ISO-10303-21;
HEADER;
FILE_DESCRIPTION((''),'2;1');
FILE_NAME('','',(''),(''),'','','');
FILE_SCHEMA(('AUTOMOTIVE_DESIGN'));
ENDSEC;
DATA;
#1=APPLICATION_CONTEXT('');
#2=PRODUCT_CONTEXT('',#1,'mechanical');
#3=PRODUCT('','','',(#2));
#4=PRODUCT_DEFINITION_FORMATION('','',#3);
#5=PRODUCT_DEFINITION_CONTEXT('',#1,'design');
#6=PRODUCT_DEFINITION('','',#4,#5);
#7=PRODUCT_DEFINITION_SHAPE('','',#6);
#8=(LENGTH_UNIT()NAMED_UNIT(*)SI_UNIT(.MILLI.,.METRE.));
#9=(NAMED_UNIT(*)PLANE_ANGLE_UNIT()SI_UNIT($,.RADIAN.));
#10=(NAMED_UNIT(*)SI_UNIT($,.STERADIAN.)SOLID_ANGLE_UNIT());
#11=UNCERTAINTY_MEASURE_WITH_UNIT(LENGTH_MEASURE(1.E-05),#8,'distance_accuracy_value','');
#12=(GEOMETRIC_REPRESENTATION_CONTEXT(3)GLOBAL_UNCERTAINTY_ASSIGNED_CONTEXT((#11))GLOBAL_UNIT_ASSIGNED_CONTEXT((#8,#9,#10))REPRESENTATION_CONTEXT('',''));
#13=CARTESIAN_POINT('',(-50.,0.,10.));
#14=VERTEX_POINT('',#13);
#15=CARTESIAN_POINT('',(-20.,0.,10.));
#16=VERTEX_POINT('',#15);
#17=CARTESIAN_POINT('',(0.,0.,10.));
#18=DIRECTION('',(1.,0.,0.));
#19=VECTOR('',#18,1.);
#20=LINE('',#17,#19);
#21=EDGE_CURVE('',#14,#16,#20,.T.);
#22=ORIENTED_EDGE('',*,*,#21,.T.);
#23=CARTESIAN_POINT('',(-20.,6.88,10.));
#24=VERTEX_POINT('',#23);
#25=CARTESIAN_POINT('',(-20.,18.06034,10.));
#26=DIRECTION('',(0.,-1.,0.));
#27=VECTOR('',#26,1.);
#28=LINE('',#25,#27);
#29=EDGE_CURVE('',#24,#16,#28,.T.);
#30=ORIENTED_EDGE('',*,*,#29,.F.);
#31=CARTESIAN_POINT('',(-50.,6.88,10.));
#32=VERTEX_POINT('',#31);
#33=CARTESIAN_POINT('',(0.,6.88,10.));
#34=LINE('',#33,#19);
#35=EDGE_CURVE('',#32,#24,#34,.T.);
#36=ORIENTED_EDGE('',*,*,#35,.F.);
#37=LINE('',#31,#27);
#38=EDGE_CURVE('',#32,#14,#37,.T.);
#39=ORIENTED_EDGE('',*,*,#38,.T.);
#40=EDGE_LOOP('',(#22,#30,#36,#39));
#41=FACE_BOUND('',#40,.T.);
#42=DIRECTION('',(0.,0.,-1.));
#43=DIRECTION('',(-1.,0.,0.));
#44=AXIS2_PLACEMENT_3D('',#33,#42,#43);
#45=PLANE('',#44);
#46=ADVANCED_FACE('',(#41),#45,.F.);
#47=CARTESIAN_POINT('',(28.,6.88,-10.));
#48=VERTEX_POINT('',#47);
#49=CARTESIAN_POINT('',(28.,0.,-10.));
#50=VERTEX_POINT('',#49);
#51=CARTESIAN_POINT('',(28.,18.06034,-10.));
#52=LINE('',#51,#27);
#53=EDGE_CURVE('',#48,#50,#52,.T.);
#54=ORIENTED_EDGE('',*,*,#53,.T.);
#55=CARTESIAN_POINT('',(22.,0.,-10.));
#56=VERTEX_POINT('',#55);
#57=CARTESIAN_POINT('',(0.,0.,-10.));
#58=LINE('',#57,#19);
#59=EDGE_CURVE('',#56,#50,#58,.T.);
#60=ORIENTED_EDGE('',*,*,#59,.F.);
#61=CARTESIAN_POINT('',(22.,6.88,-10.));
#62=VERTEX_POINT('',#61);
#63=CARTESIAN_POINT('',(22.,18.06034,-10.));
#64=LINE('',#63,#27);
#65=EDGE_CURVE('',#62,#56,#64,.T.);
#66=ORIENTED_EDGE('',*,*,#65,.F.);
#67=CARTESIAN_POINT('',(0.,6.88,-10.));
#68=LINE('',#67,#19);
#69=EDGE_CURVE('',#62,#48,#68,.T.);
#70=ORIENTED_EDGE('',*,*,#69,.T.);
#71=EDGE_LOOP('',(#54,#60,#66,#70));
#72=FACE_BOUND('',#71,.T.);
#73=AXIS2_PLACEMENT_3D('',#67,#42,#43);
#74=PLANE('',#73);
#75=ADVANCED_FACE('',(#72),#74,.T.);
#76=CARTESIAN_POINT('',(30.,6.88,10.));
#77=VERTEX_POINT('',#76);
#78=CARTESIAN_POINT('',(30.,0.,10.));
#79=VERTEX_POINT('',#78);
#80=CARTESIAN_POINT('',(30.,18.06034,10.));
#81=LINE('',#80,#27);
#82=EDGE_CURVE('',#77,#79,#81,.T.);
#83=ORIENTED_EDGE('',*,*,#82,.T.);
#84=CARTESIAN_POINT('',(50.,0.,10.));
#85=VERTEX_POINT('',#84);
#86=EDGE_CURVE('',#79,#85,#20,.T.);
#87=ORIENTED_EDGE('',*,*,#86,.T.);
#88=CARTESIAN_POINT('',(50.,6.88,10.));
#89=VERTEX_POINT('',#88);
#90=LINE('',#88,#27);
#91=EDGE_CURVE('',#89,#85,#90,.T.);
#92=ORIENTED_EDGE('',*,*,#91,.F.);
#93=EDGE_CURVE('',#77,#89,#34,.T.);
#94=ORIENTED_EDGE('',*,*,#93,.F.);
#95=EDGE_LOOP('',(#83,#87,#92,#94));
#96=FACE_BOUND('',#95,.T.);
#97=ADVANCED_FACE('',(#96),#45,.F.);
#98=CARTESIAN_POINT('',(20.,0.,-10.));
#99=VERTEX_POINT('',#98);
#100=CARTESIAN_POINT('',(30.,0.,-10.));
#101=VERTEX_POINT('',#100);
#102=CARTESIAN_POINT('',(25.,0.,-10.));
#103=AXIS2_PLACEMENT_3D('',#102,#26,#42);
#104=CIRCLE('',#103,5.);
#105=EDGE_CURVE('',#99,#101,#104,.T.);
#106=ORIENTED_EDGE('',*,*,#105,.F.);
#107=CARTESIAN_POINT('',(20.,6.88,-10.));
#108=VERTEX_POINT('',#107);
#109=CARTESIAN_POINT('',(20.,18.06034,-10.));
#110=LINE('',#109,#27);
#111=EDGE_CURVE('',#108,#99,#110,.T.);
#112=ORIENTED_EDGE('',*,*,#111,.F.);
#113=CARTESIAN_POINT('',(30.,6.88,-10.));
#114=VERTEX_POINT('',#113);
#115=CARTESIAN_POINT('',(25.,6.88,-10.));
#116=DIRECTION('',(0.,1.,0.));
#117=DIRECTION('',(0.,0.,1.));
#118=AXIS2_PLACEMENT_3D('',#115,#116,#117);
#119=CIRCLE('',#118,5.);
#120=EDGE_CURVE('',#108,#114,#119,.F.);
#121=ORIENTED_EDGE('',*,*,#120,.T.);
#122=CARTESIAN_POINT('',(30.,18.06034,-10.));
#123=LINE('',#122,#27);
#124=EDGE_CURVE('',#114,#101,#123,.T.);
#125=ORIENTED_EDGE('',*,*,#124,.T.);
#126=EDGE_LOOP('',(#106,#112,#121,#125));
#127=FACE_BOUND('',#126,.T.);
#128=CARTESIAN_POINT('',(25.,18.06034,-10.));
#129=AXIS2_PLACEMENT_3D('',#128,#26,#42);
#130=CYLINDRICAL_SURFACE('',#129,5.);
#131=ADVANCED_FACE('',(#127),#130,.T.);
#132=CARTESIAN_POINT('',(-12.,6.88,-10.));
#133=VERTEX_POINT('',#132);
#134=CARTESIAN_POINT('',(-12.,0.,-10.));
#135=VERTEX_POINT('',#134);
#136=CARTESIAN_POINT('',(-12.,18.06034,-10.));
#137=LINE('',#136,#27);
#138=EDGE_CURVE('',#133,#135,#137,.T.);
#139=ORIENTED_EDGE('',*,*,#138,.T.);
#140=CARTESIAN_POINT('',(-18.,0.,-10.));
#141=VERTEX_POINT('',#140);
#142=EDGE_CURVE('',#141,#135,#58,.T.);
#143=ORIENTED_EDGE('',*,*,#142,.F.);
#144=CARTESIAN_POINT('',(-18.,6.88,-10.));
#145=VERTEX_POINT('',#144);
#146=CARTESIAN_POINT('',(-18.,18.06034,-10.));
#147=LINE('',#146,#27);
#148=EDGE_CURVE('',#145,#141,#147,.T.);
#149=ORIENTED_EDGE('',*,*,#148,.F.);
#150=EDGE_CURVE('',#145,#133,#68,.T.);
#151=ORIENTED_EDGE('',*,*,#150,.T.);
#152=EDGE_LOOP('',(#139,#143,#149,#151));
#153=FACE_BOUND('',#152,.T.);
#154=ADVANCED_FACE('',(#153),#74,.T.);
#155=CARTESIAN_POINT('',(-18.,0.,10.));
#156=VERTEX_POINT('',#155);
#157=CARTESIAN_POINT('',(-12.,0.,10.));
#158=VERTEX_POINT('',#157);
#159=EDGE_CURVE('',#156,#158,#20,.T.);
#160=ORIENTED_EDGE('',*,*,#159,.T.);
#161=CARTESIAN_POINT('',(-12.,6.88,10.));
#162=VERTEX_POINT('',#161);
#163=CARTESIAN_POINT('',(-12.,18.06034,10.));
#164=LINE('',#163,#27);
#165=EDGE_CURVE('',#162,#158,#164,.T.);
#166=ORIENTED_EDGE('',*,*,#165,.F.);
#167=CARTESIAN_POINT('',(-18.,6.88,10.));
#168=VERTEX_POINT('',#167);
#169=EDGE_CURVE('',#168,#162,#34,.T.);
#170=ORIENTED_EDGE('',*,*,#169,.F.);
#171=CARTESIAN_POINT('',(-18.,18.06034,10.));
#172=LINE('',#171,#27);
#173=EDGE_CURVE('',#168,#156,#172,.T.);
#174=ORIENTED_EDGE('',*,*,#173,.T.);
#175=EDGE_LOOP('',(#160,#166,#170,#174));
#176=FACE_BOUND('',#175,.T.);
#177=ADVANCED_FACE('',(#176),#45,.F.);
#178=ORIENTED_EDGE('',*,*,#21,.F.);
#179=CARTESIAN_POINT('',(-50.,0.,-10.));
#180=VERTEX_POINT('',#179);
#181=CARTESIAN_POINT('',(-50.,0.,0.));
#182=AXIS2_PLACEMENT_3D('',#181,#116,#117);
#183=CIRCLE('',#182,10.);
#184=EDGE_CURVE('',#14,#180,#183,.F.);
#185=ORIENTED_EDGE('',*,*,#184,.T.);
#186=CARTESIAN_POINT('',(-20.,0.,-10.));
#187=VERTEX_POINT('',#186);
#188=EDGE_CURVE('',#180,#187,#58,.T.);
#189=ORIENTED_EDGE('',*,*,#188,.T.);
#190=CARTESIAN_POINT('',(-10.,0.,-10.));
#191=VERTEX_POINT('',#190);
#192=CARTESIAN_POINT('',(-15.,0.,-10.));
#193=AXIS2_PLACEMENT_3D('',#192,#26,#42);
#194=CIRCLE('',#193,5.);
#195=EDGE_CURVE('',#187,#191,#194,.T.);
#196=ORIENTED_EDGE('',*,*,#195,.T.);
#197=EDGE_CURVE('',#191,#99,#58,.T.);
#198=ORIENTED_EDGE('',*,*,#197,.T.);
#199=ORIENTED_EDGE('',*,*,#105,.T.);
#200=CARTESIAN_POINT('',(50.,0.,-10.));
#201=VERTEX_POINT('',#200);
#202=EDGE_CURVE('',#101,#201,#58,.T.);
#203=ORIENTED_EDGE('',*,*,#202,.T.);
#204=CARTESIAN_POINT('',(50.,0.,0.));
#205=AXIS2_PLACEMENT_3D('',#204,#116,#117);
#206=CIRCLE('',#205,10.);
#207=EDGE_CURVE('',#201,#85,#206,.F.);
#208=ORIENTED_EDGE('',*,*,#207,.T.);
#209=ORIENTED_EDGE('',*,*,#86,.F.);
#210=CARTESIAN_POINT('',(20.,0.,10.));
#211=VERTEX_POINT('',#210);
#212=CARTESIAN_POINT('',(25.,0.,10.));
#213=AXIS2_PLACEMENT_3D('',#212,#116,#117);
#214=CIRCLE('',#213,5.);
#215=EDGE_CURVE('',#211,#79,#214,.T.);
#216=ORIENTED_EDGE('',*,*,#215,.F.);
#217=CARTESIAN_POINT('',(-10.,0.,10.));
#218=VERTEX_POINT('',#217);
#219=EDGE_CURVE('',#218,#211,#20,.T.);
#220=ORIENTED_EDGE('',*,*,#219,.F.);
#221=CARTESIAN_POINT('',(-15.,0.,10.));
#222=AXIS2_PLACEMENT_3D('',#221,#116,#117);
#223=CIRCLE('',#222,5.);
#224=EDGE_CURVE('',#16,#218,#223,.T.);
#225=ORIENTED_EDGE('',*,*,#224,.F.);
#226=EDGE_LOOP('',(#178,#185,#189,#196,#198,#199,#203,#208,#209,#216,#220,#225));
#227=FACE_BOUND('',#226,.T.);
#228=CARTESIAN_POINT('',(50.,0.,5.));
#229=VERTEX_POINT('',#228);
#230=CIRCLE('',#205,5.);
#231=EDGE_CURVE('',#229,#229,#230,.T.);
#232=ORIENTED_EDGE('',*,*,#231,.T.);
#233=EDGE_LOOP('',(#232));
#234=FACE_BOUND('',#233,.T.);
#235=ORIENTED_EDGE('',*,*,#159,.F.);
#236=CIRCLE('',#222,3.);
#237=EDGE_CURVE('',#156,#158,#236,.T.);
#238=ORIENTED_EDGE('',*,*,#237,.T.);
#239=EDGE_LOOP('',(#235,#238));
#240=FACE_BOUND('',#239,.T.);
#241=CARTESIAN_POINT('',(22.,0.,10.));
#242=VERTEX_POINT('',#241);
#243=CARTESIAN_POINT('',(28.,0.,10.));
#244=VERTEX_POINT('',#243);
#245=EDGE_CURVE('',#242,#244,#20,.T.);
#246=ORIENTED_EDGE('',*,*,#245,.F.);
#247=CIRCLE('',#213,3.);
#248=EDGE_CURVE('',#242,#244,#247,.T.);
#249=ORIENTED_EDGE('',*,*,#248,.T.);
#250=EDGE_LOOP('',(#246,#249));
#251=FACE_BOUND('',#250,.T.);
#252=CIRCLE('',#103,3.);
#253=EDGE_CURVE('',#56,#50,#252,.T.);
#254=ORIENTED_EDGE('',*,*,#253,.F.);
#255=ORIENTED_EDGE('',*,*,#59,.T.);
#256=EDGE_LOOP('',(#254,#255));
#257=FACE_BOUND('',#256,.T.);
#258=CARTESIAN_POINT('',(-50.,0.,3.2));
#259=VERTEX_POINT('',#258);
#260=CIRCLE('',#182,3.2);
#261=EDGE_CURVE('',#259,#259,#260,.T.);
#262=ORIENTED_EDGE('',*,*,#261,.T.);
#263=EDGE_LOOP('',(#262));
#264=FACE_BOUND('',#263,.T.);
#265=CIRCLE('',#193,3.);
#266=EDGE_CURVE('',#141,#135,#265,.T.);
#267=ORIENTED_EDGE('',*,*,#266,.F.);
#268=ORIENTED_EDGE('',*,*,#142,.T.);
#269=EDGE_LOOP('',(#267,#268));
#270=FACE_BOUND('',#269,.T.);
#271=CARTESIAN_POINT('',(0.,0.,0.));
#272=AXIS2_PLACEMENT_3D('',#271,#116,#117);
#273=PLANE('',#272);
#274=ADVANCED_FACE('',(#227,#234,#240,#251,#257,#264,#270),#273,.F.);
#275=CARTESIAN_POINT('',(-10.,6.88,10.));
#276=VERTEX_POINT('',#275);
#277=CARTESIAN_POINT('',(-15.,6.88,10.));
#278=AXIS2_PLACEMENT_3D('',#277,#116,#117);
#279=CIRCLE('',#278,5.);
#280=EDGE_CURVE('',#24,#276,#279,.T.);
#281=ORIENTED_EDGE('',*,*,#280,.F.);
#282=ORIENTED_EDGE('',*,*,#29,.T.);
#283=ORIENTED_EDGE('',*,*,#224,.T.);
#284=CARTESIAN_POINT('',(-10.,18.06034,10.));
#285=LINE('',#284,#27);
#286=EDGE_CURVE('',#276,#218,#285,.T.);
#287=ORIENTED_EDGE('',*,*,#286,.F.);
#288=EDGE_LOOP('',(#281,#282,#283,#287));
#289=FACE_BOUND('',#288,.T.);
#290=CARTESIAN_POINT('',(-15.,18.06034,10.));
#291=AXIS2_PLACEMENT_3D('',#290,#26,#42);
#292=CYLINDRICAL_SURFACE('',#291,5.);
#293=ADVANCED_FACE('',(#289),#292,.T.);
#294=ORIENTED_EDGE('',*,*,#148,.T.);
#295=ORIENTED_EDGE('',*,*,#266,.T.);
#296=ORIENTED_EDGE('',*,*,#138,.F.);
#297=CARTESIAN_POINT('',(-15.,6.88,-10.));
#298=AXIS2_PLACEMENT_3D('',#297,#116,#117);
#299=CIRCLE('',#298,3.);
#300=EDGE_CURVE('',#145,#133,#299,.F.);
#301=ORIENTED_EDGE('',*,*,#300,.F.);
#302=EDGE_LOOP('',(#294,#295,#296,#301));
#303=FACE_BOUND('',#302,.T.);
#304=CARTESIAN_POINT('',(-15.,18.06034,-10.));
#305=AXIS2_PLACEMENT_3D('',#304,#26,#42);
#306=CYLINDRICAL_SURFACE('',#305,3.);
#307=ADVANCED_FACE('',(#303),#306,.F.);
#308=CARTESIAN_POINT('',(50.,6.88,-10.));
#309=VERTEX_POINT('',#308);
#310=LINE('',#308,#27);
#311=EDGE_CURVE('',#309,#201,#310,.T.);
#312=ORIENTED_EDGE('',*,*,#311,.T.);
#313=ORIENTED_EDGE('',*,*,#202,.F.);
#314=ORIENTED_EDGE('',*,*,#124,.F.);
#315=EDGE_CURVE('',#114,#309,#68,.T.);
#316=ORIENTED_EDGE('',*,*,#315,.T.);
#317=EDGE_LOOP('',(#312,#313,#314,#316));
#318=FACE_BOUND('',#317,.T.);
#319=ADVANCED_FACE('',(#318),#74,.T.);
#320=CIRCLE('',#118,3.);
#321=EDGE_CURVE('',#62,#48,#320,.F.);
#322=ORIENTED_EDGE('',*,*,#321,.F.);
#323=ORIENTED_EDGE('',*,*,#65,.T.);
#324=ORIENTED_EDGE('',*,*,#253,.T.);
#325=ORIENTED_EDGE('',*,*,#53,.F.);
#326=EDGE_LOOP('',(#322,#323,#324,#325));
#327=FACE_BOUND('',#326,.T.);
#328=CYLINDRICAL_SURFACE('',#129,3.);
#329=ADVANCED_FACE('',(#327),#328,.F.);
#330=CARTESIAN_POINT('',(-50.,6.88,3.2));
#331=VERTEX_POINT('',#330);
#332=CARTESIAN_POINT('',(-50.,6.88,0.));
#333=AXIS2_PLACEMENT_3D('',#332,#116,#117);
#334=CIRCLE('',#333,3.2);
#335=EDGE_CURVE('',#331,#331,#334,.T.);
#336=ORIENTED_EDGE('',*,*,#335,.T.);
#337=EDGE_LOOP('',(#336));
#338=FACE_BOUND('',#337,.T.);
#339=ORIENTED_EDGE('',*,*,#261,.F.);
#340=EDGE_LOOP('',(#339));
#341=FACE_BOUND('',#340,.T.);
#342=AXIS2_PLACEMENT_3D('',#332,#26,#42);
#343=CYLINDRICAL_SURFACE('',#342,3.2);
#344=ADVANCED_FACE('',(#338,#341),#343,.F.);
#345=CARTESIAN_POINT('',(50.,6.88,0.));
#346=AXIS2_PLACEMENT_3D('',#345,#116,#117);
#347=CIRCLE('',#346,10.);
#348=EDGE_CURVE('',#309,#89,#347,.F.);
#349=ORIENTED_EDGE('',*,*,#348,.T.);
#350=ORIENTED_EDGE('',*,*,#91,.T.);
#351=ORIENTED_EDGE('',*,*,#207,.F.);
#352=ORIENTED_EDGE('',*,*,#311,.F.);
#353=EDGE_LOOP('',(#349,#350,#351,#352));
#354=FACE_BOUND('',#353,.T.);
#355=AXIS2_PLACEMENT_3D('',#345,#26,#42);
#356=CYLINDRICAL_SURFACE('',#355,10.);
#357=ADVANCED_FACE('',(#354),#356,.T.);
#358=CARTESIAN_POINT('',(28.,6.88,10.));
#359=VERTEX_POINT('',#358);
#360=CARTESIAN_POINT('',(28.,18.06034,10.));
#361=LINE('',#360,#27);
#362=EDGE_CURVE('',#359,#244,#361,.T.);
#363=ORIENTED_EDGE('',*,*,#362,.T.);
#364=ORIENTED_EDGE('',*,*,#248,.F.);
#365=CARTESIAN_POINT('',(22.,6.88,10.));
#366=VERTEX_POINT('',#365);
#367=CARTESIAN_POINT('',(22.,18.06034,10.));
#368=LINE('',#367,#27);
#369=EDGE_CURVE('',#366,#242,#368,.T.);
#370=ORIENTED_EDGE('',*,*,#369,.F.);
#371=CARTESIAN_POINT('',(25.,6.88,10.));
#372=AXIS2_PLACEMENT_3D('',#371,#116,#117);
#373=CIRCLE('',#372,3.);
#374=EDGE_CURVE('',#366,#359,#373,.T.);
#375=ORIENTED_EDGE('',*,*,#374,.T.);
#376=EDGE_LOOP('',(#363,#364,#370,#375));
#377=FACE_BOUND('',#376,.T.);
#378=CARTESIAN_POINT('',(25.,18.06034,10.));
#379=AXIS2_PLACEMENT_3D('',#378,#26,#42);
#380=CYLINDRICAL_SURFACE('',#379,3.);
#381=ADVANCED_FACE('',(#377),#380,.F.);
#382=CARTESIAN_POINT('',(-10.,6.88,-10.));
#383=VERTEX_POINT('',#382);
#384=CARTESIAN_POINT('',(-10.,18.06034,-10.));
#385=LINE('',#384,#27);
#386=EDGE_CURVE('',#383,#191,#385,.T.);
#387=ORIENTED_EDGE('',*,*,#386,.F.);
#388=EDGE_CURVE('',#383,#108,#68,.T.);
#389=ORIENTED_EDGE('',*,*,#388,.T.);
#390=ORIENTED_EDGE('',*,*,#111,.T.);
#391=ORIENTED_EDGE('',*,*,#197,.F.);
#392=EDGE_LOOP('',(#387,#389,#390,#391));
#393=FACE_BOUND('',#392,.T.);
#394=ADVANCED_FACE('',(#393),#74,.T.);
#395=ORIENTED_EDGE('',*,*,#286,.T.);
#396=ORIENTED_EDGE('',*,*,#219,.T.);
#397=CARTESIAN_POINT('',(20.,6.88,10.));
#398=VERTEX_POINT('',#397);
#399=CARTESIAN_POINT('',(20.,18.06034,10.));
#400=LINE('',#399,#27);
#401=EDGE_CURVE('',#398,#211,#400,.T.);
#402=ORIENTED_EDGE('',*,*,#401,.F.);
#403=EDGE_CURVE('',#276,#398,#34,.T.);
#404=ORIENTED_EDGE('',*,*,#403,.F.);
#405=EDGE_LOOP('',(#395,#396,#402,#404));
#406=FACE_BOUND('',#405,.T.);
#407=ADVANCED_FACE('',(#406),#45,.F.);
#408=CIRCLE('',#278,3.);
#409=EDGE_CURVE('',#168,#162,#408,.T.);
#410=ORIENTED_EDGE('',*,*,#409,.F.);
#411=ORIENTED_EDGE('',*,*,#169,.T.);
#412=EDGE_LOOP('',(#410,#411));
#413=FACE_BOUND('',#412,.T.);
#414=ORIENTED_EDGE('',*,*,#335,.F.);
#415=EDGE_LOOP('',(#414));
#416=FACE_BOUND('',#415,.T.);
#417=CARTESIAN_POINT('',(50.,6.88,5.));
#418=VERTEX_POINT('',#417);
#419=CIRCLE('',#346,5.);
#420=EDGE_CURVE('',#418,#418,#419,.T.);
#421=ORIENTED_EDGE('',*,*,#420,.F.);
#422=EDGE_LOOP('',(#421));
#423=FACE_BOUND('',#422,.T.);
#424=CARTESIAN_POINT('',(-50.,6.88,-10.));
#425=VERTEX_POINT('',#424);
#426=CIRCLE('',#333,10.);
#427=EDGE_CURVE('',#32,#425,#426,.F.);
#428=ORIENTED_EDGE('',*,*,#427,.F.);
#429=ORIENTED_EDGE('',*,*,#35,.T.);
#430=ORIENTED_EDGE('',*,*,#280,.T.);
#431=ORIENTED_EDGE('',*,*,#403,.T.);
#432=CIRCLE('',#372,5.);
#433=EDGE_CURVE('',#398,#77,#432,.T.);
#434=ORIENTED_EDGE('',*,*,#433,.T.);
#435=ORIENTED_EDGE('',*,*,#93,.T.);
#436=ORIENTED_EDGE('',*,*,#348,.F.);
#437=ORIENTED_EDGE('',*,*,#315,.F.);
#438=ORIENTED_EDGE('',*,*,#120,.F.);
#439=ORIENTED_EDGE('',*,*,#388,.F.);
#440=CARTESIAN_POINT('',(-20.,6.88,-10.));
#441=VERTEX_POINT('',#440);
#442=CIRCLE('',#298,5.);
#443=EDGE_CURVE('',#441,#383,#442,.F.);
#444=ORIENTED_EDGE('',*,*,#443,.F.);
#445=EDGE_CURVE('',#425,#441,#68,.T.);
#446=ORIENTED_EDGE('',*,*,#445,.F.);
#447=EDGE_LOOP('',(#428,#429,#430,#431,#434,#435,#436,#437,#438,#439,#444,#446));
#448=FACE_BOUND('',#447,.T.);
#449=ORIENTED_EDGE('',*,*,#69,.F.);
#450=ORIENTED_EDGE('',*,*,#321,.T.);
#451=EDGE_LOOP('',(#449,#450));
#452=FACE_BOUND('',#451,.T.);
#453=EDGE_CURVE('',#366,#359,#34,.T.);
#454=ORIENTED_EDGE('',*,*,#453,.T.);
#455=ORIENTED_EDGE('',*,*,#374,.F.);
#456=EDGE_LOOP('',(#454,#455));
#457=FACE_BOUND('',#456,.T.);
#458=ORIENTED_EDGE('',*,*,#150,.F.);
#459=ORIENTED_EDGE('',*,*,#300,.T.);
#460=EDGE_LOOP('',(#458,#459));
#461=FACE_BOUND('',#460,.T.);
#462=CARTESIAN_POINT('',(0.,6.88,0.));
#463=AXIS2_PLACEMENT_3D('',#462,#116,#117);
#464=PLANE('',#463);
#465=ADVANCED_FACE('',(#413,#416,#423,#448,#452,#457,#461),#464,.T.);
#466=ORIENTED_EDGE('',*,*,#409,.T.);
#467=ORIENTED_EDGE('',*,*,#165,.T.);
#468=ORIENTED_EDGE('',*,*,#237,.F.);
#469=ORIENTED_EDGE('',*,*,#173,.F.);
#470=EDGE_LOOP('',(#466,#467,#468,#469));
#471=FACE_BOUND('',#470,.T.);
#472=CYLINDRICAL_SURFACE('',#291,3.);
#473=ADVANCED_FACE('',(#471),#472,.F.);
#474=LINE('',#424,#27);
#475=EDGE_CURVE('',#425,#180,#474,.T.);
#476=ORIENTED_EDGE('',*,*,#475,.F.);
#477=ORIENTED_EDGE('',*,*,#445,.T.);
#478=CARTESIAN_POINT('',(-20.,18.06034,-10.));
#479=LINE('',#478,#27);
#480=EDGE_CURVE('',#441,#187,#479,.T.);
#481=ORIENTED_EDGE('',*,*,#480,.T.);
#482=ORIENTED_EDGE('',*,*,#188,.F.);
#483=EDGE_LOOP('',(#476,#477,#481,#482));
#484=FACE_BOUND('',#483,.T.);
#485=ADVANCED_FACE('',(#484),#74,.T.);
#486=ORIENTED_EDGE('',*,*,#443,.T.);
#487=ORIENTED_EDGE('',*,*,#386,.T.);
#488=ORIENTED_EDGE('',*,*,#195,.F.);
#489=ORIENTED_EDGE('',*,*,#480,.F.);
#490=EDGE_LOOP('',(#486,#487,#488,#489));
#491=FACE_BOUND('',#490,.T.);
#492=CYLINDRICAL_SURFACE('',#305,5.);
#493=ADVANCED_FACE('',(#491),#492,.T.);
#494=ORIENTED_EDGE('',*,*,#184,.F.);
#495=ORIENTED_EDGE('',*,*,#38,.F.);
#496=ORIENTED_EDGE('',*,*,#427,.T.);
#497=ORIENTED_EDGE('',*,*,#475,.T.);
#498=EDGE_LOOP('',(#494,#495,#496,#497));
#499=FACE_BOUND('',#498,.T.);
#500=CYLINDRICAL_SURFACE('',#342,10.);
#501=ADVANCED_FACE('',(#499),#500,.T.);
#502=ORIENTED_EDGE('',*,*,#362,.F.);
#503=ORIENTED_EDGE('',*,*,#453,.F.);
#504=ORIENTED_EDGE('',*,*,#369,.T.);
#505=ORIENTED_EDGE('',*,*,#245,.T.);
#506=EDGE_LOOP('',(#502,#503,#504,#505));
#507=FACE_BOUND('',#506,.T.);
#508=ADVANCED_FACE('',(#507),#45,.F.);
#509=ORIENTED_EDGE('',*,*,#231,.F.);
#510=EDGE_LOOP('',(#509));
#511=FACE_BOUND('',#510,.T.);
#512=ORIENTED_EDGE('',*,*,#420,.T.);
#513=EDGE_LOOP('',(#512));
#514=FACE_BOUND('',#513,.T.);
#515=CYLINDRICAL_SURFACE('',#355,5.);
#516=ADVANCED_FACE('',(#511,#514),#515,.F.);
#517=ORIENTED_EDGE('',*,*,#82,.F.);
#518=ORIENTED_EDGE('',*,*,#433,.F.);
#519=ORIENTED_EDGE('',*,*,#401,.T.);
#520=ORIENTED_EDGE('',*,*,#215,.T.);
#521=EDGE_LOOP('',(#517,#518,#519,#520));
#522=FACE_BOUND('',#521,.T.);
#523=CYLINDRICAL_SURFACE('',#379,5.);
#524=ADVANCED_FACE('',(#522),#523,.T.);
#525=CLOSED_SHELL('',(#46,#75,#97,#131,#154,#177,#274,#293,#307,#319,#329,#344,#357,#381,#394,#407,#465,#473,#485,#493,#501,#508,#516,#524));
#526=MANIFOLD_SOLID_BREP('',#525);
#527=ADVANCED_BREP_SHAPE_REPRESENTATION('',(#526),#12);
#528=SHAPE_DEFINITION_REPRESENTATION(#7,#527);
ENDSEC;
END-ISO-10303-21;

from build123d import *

# Parameters (mm, degrees)
CROQUIS1_R              = 3.2
CROQUIS1_R_2            = 5
SALIENTE_EXTRUIR2_DEPTH = 6.88
SALIENTE_EXTRUIR3_DEPTH = 6.88
MATRIZL1_COUNT          = 2
MATRIZL1_PITCH          = 40
SIMETR_A1_COPY_1_DEPTH  = 6.88


with BuildPart() as part:
    # Croquis1 → Saliente-Extruir2 (new body)
    with BuildSketch(Plane(origin=(0, 0, 0), x_dir=(1, 0, 0), z_dir=(0, 1, 0))):
        with BuildLine():
            Line((-50, -10), (50, -10))
            ThreePointArc((50, -10), (60, 0), (50, 10))
            Line((50, 10), (-50, 10))
            ThreePointArc((-50, 10), (-60, 0), (-50, -10))
        make_face()
        with Locations(Location((-50, 0, 0), (0, 0, 270))):
            Circle(CROQUIS1_R, mode=Mode.SUBTRACT)
        with Locations(Location((50, 0, 0), (0, 0, 270))):
            Circle(CROQUIS1_R_2, mode=Mode.SUBTRACT)
    extrude(amount=SALIENTE_EXTRUIR2_DEPTH)

    # Croquis3 → Saliente-Extruir3 (add)
    with BuildSketch(Plane(origin=(0, 0, 0), x_dir=(1, 0, 0), z_dir=(0, 1, 0))):
        with BuildLine():
            Line((-20, -10), (-18, -10))
            ThreePointArc((-18, -10), (-15, -13), (-12, -10))
            Line((-12, -10), (-10, -10))
            ThreePointArc((-10, -10), (-15, -15), (-20, -10))
        make_face()
    saliente_extruir3 = extrude(amount=SALIENTE_EXTRUIR3_DEPTH)

    # MatrizL1: Saliente-Extruir3 ×2
    with Locations(*[(i * MATRIZL1_PITCH, 0, 0) for i in range(1, MATRIZL1_COUNT)]):
        add(saliente_extruir3)

    # Simetría1: Saliente-Extruir3 across plane
    add(saliente_extruir3.mirror(Plane.XY))

    # Simetría1 copy 1 sketch → Simetría1 copy 1 (add)
    with BuildSketch(Plane(origin=(40, 0, 0), x_dir=(1, 0, 0), z_dir=(0, 1, 0))):
        with BuildLine():
            Line((-20, 10), (-18, 10))
            ThreePointArc((-18, 10), (-15, 13), (-12, 10))
            Line((-12, 10), (-10, 10))
            ThreePointArc((-10, 10), (-15, 15), (-20, 10))
        make_face()
    extrude(amount=SIMETR_A1_COPY_1_DEPTH)


solid = part.part
